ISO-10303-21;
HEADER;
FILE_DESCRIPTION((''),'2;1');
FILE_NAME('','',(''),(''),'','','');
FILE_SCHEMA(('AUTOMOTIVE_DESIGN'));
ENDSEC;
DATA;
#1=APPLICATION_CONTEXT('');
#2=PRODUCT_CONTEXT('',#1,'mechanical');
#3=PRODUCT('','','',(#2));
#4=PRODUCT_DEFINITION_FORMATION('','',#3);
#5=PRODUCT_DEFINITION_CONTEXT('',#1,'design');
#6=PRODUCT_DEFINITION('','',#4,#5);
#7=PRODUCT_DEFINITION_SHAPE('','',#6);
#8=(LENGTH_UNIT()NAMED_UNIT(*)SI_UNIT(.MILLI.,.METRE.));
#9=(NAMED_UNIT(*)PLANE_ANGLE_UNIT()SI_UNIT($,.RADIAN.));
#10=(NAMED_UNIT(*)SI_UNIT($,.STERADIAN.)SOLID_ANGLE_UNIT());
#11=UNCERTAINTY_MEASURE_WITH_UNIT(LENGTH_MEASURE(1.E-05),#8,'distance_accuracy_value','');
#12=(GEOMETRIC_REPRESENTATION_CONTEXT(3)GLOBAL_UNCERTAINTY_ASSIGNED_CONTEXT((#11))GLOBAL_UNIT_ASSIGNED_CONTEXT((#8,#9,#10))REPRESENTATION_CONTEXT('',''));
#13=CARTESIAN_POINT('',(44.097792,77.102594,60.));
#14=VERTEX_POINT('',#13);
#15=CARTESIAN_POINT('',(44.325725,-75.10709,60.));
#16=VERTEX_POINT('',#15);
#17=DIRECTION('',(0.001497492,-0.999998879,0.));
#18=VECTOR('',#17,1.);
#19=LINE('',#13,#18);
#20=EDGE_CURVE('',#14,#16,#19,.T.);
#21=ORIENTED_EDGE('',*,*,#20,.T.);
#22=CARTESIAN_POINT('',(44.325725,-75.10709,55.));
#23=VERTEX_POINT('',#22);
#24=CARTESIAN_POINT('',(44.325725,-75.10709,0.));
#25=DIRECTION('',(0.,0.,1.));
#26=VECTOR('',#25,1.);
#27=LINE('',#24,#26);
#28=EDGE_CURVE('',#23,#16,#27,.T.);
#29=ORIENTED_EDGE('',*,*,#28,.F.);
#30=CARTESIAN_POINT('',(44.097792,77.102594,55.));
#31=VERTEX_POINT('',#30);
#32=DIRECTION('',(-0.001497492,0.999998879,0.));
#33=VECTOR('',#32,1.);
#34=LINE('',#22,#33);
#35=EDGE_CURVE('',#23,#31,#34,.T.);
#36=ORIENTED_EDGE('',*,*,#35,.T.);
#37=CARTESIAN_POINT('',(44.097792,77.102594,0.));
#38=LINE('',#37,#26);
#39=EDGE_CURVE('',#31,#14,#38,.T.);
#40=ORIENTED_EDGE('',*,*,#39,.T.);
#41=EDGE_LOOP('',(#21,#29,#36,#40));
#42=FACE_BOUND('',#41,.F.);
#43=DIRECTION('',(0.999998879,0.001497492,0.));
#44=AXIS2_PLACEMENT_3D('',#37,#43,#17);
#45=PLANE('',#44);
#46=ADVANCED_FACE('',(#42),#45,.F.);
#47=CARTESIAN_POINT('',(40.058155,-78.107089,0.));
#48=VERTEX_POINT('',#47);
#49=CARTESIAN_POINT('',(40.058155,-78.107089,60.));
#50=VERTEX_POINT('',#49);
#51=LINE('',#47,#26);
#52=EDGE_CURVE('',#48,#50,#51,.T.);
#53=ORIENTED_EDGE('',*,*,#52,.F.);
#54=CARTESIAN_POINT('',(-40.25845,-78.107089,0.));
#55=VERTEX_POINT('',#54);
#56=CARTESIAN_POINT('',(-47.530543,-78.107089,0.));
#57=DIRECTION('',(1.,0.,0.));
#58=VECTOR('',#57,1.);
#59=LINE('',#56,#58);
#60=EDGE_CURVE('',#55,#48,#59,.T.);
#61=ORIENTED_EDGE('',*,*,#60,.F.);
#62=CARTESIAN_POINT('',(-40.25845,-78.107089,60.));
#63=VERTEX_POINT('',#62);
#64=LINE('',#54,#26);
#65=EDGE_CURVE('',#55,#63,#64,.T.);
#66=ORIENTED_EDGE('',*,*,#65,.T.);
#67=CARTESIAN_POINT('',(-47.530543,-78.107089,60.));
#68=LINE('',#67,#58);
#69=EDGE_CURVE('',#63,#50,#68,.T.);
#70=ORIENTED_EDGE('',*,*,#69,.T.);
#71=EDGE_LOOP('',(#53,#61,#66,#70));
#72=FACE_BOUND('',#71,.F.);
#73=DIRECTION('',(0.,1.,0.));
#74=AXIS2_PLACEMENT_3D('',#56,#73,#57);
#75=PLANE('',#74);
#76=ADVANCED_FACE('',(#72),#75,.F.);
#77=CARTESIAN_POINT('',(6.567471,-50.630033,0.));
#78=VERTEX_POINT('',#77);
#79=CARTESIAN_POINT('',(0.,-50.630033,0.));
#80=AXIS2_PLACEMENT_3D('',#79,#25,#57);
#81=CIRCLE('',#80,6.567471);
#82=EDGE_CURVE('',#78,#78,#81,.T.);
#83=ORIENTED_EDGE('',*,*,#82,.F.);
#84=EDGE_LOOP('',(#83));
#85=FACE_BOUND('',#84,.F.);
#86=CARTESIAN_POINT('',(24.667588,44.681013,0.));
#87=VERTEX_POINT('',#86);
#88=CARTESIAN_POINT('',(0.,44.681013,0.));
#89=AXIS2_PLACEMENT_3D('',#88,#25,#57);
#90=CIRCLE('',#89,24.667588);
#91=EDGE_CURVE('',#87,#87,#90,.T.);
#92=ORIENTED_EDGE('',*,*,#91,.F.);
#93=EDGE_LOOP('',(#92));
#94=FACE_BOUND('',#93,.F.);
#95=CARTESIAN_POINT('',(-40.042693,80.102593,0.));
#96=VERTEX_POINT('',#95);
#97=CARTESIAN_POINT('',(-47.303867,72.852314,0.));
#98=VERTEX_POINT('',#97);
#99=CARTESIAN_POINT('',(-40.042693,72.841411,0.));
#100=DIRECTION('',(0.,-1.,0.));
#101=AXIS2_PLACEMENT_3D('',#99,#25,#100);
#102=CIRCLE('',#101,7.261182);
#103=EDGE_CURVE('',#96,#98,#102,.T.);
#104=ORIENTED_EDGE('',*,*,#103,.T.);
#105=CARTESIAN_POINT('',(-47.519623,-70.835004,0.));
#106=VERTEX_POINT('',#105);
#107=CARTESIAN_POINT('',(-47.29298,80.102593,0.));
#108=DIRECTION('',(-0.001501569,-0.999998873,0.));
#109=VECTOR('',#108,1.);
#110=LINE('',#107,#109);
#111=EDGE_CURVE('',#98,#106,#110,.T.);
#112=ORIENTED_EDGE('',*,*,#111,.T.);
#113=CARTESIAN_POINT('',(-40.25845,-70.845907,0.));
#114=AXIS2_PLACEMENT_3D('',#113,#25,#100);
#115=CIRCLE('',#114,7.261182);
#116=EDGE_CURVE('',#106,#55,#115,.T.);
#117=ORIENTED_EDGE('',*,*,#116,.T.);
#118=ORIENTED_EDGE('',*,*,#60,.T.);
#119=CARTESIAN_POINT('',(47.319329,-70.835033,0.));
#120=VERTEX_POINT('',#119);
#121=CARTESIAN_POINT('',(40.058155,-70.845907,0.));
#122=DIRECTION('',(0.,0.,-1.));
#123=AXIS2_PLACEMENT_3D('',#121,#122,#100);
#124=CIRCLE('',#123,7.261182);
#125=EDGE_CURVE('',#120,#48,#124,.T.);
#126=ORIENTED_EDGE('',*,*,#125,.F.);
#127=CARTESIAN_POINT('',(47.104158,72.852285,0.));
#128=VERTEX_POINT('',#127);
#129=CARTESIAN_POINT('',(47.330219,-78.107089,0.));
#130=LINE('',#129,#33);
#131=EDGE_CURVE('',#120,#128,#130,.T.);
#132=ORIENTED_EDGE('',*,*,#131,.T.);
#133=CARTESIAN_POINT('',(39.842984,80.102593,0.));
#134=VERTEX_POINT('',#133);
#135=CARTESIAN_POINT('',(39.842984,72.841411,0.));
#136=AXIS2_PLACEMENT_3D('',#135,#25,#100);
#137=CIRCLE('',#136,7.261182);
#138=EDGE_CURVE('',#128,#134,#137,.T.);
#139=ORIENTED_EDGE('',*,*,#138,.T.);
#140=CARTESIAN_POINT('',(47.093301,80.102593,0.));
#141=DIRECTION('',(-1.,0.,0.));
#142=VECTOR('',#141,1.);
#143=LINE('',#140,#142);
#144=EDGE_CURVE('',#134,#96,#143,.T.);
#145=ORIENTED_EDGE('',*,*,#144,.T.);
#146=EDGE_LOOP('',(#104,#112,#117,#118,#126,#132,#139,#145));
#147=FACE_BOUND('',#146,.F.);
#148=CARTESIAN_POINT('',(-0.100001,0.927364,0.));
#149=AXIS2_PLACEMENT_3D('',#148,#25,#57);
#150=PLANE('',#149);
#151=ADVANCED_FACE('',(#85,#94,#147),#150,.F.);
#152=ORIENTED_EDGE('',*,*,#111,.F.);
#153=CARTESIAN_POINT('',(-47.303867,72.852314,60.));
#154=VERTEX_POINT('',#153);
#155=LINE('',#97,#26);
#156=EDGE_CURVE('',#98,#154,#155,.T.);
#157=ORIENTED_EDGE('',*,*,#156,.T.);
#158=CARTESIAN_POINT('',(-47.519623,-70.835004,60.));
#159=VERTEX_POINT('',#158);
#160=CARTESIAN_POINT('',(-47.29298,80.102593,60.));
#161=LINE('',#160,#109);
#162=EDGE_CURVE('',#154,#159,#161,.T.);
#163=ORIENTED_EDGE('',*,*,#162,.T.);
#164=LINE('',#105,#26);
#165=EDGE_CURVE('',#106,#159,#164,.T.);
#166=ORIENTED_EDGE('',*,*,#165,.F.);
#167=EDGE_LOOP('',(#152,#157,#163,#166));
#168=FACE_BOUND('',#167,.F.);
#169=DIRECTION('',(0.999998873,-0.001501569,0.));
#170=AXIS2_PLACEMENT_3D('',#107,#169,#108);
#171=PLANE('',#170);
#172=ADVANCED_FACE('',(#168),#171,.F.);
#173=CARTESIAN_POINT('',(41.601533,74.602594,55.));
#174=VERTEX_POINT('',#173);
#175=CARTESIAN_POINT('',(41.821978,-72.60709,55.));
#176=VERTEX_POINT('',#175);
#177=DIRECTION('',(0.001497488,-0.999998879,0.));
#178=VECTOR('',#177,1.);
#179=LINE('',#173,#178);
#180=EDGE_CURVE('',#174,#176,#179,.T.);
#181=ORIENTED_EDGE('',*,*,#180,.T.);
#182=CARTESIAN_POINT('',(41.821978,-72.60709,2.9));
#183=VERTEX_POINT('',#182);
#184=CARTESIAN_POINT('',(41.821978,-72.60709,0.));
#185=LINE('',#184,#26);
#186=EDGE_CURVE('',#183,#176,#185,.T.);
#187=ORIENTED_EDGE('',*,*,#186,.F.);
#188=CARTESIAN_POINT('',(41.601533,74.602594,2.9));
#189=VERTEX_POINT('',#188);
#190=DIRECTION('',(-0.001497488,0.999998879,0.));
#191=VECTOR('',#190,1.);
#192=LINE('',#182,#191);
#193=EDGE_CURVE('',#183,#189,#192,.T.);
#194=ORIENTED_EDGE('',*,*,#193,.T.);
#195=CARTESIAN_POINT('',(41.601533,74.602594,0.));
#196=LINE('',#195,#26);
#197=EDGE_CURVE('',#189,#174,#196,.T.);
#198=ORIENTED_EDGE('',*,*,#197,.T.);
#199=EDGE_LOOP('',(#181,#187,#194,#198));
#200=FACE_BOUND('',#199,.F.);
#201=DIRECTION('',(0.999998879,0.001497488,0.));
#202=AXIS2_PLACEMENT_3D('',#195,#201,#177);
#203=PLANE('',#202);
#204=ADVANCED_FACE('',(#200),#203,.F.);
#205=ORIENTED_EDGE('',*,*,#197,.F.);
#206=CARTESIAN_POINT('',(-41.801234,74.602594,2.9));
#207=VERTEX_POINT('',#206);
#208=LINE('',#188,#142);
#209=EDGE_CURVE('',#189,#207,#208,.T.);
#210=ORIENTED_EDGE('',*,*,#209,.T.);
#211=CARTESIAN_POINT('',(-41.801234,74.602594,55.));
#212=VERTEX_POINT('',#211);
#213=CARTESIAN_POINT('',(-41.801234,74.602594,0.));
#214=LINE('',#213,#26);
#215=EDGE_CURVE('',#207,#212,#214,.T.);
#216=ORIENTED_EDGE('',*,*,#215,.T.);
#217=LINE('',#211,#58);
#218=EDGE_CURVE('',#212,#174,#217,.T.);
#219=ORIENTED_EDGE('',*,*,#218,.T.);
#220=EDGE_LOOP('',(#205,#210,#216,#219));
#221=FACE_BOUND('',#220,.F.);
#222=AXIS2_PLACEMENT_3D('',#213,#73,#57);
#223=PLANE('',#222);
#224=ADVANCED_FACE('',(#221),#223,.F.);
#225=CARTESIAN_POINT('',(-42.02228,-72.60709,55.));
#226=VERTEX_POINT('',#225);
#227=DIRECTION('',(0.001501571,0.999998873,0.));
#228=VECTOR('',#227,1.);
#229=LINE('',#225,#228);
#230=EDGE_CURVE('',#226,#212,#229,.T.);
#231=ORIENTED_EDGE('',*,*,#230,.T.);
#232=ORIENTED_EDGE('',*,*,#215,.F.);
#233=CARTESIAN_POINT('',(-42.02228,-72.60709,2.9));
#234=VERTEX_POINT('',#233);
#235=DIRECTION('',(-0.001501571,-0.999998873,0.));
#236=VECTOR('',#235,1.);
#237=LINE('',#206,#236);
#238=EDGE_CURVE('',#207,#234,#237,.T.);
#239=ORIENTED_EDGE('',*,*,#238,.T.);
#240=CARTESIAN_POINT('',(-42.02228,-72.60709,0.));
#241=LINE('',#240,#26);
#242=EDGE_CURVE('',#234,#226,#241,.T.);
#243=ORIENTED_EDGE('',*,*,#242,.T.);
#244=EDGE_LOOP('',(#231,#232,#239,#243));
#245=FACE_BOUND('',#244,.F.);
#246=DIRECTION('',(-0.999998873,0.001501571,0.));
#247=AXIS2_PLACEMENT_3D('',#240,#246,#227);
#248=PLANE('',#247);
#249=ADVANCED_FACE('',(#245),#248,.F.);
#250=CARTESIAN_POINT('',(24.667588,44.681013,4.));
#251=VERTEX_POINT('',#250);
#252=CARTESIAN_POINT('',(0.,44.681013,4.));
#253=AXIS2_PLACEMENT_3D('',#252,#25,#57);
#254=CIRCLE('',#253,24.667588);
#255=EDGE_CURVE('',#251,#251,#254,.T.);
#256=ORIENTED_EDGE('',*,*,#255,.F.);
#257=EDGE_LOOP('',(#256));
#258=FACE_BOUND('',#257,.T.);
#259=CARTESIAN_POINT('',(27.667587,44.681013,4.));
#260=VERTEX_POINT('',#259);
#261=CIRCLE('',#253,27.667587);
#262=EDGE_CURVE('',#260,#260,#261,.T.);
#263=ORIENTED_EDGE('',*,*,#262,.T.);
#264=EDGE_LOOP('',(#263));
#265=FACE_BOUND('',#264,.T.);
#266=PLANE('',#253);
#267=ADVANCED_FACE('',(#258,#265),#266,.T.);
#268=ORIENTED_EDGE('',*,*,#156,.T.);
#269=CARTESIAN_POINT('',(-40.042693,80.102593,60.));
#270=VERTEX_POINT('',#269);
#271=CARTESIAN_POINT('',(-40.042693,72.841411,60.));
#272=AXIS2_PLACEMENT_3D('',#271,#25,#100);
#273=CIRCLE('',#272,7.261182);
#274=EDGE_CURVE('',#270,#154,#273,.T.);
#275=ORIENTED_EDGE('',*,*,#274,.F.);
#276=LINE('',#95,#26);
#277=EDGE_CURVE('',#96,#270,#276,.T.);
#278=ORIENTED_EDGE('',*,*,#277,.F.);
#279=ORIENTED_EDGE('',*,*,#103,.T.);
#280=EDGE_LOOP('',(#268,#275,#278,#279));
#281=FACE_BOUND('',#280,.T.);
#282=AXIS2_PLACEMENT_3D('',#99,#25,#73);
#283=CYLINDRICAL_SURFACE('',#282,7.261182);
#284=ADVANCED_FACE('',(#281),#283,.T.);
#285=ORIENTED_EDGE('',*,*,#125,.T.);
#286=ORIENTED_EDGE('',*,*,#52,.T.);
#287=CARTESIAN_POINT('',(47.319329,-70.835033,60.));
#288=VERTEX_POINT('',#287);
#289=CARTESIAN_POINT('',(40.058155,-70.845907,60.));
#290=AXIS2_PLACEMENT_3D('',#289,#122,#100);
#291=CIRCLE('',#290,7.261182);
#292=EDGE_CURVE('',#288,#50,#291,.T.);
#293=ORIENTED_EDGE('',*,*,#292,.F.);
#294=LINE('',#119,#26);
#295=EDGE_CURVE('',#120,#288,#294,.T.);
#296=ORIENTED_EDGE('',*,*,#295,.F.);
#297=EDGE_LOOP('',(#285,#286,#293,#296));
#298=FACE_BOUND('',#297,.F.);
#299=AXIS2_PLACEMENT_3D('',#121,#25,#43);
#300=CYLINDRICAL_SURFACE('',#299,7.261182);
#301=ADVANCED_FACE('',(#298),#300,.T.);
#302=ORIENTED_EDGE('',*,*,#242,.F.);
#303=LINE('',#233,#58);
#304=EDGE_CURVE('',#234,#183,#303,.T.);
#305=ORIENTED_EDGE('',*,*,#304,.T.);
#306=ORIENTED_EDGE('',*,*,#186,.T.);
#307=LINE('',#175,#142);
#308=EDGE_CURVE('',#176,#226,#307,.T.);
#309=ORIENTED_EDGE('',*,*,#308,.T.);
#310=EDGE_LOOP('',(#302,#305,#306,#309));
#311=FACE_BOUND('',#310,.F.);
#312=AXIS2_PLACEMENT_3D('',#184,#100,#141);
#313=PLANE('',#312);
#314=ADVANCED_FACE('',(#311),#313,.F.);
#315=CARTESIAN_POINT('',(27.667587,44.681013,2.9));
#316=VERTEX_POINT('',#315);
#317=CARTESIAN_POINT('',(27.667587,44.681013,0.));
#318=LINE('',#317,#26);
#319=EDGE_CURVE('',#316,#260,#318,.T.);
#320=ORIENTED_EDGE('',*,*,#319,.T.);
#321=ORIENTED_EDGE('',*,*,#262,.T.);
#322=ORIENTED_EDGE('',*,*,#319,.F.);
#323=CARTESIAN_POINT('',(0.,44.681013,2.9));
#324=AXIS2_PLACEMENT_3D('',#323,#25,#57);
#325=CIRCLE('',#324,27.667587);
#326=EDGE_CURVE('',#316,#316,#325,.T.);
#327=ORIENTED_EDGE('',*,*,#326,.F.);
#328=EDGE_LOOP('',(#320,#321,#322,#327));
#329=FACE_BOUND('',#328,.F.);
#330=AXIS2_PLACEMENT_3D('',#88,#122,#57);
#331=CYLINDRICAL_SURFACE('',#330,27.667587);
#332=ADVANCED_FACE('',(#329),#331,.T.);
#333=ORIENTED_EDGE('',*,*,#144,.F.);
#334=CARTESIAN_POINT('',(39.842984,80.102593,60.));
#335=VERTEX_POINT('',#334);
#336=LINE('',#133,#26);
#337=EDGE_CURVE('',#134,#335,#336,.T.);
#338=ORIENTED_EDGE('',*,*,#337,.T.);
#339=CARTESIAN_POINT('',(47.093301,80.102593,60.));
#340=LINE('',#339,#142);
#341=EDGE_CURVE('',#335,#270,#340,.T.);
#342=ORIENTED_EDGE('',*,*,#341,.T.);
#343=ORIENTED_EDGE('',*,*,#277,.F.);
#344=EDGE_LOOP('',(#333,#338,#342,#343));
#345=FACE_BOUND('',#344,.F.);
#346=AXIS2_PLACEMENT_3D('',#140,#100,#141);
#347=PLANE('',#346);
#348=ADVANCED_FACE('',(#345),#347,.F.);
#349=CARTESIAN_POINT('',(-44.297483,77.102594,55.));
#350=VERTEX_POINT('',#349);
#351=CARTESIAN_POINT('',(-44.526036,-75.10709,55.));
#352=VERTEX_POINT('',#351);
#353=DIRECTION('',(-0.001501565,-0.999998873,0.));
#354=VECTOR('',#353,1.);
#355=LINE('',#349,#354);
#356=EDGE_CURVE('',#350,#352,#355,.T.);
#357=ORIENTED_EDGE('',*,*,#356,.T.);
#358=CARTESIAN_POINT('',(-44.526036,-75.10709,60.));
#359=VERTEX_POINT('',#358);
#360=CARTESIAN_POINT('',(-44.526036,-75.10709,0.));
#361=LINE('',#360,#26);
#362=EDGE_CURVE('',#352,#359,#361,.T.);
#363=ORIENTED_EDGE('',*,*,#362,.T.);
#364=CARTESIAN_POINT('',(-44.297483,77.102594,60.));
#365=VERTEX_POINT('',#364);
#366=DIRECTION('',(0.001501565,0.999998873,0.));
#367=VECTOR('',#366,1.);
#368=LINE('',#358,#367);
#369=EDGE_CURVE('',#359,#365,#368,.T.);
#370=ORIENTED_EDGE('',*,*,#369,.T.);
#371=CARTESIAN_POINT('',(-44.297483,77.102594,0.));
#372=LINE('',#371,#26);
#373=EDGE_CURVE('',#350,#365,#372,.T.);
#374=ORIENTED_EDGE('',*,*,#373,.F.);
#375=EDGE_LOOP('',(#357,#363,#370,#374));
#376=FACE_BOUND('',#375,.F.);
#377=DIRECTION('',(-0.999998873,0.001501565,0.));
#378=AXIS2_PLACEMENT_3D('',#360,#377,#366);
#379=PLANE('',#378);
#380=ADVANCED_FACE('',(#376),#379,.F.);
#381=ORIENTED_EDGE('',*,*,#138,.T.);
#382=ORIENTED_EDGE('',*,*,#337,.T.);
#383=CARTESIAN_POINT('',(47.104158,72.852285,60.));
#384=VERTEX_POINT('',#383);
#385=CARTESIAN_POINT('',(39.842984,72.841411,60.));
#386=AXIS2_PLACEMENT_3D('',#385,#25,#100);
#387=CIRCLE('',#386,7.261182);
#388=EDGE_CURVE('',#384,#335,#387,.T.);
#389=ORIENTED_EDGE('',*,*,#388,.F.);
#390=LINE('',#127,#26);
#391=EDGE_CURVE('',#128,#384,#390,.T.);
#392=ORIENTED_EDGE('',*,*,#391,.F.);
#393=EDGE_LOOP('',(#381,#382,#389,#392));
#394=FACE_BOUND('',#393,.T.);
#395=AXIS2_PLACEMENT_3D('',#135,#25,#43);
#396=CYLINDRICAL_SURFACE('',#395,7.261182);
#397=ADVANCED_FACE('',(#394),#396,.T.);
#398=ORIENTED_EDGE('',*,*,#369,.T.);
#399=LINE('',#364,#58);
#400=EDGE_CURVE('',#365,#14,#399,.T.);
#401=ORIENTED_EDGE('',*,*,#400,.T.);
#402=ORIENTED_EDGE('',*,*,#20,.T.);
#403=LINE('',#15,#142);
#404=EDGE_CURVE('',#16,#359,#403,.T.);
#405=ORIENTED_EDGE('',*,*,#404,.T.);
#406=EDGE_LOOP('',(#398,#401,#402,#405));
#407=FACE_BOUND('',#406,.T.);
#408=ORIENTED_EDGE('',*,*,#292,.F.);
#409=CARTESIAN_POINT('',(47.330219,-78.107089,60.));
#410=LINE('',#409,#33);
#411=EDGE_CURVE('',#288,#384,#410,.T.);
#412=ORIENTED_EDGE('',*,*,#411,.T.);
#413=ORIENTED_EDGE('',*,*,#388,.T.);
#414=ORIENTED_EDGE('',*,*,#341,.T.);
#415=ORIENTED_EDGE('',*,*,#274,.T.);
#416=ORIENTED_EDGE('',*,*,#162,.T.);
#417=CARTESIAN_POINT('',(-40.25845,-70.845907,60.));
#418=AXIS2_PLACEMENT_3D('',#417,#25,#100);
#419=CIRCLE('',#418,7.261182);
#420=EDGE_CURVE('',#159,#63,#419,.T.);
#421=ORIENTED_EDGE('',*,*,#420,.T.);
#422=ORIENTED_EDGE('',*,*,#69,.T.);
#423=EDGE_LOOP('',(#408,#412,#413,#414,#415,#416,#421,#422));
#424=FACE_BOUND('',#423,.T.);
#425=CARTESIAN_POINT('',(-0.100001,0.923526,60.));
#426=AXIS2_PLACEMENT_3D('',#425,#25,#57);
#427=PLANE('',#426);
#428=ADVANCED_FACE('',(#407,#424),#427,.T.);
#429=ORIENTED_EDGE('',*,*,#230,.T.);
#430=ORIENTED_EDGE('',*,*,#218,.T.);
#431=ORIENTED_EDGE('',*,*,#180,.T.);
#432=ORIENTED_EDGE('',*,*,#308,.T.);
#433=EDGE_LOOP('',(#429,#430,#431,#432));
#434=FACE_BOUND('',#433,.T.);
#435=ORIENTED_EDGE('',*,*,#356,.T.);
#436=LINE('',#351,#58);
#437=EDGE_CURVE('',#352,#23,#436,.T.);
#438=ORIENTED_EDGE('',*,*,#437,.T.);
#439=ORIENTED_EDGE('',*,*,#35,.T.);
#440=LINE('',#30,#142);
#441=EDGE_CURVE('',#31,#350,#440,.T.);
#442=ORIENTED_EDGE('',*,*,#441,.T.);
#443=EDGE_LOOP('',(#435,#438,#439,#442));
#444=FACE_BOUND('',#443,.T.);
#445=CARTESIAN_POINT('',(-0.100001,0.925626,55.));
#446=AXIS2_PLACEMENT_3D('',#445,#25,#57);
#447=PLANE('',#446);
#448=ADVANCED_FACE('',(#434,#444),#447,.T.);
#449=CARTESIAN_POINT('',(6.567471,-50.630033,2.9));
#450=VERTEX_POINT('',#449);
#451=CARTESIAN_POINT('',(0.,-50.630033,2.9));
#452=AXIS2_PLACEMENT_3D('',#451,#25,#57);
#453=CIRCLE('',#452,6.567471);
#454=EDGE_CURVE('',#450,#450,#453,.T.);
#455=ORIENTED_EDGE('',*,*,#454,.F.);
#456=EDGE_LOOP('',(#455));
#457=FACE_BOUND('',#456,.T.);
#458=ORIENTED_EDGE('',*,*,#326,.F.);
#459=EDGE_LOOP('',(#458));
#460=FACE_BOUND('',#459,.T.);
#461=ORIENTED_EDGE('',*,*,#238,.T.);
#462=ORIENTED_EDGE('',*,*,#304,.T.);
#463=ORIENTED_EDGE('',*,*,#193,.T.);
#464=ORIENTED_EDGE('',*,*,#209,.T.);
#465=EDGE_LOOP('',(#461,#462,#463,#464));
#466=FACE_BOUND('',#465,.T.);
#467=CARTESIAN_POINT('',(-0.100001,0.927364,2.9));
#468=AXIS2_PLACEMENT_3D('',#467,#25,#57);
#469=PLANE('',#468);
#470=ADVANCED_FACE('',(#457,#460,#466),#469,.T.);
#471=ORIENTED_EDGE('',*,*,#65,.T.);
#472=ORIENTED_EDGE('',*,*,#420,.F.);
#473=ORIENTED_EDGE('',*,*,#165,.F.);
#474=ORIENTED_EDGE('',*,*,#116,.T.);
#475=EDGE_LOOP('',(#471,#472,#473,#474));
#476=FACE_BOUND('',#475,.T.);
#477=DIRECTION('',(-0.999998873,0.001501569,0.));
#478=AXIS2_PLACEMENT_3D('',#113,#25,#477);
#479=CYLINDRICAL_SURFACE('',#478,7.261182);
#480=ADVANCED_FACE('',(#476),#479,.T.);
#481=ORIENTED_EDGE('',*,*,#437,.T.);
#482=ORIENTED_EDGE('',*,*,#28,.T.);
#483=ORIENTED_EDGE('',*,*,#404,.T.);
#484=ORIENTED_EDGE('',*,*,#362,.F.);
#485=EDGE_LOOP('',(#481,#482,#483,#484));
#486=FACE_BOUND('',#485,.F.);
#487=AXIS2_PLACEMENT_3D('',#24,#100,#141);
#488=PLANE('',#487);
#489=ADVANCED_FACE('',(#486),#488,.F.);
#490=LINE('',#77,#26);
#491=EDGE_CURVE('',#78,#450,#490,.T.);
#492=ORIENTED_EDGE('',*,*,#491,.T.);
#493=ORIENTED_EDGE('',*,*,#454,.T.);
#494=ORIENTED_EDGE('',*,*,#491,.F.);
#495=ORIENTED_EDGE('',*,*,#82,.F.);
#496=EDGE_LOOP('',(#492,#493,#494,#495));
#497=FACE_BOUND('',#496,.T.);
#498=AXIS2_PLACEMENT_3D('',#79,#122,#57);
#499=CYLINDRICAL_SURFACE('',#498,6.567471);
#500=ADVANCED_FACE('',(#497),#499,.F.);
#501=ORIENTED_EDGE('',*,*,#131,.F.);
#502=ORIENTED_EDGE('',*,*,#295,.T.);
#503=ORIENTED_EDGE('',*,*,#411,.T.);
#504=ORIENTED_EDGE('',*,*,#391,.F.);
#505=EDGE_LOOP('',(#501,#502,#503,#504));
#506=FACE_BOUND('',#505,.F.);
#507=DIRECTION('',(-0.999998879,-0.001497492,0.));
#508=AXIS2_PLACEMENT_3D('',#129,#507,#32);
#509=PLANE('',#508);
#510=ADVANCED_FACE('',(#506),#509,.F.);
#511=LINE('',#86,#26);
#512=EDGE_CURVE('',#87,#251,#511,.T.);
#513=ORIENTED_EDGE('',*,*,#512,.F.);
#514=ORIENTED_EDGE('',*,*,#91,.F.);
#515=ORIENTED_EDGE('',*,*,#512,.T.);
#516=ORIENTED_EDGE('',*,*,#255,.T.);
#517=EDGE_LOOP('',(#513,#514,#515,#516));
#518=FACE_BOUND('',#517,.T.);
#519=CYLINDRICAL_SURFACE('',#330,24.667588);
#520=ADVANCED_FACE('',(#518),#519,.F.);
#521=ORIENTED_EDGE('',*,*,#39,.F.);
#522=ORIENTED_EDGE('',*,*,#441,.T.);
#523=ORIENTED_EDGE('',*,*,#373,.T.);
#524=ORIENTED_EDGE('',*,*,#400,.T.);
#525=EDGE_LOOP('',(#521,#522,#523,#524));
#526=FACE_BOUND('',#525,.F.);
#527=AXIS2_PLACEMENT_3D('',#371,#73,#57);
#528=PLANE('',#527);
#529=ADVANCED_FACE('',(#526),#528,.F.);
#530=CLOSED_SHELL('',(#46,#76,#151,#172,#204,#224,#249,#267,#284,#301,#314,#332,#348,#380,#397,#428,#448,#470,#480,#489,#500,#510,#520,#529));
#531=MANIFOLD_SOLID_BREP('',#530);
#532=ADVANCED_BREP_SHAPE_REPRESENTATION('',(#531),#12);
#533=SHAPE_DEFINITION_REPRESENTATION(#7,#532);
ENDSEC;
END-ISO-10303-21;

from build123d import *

# Parameters (mm, degrees)
F1_DEPTH = 60
F2_DEPTH = 55
F0_R     = 27.667587
F0_R_2   = 24.667588
F3_DEPTH = 4
F0_R_3   = 6.567471
F4_DEPTH = 2.9
F5_R     = 7.261182


with BuildPart() as f1:
    # F0 (on Top) → F1 (new body)
    with BuildSketch(Plane.XY):
        Polygon((47.330219, -78.107089), (47.093301, 80.102593), (-47.29298, 80.102593), (-47.530543, -78.107089), align=None)
        Polygon((-44.526036, -75.10709), (-44.297483, 77.102594), (44.097792, 77.102594), (44.325725, -75.10709), align=None, mode=Mode.SUBTRACT)
    extrude(amount=F1_DEPTH)

    # F0 (on Top) → F2 (join)
    with BuildSketch(Plane.XY):
        Polygon((44.097792, 77.102594), (-44.297483, 77.102594), (-44.526036, -75.10709), (44.325725, -75.10709), align=None)
        Polygon((-42.02228, -72.60709), (-41.801234, 74.602594), (41.601533, 74.602594), (41.821978, -72.60709), align=None, mode=Mode.SUBTRACT)
    extrude(amount=F2_DEPTH)



with BuildPart() as f3:
    # F0 (on Top) → F3 (new body)
    with BuildSketch(Plane.XY):
        with Locations((0, 44.681013)):
            Circle(F0_R)
        with Locations((0, 44.681013)):
            Circle(F0_R_2, mode=Mode.SUBTRACT)
    extrude(amount=F3_DEPTH)


with BuildPart() as f1_1:
    add(f1.part)

    add(f3.part)  # F4 merges F3
    # F0 (on Top) → F4 (join)
    with BuildSketch(Plane.XY):
        Polygon((41.601533, 74.602594), (-41.801234, 74.602594), (-42.02228, -72.60709), (41.821978, -72.60709), align=None)
        with Locations((0, -50.630033)):
            Circle(F0_R_3, mode=Mode.SUBTRACT)
        with Locations((0, 44.681013)):
            Circle(F0_R, mode=Mode.SUBTRACT)
    extrude(amount=F4_DEPTH)

    # F5
    f5_edges = [f1_1.edges().sort_by_distance(p)[0] for p in [
        (47.330219, -78.107089, 30),
        (-47.530543, -78.107089, 30),
        (-47.29298, 80.102593, 30),
        (47.093301, 80.102593, 30),
    ]]
    fillet(f5_edges, radius=F5_R)


solid = f1_1.part
